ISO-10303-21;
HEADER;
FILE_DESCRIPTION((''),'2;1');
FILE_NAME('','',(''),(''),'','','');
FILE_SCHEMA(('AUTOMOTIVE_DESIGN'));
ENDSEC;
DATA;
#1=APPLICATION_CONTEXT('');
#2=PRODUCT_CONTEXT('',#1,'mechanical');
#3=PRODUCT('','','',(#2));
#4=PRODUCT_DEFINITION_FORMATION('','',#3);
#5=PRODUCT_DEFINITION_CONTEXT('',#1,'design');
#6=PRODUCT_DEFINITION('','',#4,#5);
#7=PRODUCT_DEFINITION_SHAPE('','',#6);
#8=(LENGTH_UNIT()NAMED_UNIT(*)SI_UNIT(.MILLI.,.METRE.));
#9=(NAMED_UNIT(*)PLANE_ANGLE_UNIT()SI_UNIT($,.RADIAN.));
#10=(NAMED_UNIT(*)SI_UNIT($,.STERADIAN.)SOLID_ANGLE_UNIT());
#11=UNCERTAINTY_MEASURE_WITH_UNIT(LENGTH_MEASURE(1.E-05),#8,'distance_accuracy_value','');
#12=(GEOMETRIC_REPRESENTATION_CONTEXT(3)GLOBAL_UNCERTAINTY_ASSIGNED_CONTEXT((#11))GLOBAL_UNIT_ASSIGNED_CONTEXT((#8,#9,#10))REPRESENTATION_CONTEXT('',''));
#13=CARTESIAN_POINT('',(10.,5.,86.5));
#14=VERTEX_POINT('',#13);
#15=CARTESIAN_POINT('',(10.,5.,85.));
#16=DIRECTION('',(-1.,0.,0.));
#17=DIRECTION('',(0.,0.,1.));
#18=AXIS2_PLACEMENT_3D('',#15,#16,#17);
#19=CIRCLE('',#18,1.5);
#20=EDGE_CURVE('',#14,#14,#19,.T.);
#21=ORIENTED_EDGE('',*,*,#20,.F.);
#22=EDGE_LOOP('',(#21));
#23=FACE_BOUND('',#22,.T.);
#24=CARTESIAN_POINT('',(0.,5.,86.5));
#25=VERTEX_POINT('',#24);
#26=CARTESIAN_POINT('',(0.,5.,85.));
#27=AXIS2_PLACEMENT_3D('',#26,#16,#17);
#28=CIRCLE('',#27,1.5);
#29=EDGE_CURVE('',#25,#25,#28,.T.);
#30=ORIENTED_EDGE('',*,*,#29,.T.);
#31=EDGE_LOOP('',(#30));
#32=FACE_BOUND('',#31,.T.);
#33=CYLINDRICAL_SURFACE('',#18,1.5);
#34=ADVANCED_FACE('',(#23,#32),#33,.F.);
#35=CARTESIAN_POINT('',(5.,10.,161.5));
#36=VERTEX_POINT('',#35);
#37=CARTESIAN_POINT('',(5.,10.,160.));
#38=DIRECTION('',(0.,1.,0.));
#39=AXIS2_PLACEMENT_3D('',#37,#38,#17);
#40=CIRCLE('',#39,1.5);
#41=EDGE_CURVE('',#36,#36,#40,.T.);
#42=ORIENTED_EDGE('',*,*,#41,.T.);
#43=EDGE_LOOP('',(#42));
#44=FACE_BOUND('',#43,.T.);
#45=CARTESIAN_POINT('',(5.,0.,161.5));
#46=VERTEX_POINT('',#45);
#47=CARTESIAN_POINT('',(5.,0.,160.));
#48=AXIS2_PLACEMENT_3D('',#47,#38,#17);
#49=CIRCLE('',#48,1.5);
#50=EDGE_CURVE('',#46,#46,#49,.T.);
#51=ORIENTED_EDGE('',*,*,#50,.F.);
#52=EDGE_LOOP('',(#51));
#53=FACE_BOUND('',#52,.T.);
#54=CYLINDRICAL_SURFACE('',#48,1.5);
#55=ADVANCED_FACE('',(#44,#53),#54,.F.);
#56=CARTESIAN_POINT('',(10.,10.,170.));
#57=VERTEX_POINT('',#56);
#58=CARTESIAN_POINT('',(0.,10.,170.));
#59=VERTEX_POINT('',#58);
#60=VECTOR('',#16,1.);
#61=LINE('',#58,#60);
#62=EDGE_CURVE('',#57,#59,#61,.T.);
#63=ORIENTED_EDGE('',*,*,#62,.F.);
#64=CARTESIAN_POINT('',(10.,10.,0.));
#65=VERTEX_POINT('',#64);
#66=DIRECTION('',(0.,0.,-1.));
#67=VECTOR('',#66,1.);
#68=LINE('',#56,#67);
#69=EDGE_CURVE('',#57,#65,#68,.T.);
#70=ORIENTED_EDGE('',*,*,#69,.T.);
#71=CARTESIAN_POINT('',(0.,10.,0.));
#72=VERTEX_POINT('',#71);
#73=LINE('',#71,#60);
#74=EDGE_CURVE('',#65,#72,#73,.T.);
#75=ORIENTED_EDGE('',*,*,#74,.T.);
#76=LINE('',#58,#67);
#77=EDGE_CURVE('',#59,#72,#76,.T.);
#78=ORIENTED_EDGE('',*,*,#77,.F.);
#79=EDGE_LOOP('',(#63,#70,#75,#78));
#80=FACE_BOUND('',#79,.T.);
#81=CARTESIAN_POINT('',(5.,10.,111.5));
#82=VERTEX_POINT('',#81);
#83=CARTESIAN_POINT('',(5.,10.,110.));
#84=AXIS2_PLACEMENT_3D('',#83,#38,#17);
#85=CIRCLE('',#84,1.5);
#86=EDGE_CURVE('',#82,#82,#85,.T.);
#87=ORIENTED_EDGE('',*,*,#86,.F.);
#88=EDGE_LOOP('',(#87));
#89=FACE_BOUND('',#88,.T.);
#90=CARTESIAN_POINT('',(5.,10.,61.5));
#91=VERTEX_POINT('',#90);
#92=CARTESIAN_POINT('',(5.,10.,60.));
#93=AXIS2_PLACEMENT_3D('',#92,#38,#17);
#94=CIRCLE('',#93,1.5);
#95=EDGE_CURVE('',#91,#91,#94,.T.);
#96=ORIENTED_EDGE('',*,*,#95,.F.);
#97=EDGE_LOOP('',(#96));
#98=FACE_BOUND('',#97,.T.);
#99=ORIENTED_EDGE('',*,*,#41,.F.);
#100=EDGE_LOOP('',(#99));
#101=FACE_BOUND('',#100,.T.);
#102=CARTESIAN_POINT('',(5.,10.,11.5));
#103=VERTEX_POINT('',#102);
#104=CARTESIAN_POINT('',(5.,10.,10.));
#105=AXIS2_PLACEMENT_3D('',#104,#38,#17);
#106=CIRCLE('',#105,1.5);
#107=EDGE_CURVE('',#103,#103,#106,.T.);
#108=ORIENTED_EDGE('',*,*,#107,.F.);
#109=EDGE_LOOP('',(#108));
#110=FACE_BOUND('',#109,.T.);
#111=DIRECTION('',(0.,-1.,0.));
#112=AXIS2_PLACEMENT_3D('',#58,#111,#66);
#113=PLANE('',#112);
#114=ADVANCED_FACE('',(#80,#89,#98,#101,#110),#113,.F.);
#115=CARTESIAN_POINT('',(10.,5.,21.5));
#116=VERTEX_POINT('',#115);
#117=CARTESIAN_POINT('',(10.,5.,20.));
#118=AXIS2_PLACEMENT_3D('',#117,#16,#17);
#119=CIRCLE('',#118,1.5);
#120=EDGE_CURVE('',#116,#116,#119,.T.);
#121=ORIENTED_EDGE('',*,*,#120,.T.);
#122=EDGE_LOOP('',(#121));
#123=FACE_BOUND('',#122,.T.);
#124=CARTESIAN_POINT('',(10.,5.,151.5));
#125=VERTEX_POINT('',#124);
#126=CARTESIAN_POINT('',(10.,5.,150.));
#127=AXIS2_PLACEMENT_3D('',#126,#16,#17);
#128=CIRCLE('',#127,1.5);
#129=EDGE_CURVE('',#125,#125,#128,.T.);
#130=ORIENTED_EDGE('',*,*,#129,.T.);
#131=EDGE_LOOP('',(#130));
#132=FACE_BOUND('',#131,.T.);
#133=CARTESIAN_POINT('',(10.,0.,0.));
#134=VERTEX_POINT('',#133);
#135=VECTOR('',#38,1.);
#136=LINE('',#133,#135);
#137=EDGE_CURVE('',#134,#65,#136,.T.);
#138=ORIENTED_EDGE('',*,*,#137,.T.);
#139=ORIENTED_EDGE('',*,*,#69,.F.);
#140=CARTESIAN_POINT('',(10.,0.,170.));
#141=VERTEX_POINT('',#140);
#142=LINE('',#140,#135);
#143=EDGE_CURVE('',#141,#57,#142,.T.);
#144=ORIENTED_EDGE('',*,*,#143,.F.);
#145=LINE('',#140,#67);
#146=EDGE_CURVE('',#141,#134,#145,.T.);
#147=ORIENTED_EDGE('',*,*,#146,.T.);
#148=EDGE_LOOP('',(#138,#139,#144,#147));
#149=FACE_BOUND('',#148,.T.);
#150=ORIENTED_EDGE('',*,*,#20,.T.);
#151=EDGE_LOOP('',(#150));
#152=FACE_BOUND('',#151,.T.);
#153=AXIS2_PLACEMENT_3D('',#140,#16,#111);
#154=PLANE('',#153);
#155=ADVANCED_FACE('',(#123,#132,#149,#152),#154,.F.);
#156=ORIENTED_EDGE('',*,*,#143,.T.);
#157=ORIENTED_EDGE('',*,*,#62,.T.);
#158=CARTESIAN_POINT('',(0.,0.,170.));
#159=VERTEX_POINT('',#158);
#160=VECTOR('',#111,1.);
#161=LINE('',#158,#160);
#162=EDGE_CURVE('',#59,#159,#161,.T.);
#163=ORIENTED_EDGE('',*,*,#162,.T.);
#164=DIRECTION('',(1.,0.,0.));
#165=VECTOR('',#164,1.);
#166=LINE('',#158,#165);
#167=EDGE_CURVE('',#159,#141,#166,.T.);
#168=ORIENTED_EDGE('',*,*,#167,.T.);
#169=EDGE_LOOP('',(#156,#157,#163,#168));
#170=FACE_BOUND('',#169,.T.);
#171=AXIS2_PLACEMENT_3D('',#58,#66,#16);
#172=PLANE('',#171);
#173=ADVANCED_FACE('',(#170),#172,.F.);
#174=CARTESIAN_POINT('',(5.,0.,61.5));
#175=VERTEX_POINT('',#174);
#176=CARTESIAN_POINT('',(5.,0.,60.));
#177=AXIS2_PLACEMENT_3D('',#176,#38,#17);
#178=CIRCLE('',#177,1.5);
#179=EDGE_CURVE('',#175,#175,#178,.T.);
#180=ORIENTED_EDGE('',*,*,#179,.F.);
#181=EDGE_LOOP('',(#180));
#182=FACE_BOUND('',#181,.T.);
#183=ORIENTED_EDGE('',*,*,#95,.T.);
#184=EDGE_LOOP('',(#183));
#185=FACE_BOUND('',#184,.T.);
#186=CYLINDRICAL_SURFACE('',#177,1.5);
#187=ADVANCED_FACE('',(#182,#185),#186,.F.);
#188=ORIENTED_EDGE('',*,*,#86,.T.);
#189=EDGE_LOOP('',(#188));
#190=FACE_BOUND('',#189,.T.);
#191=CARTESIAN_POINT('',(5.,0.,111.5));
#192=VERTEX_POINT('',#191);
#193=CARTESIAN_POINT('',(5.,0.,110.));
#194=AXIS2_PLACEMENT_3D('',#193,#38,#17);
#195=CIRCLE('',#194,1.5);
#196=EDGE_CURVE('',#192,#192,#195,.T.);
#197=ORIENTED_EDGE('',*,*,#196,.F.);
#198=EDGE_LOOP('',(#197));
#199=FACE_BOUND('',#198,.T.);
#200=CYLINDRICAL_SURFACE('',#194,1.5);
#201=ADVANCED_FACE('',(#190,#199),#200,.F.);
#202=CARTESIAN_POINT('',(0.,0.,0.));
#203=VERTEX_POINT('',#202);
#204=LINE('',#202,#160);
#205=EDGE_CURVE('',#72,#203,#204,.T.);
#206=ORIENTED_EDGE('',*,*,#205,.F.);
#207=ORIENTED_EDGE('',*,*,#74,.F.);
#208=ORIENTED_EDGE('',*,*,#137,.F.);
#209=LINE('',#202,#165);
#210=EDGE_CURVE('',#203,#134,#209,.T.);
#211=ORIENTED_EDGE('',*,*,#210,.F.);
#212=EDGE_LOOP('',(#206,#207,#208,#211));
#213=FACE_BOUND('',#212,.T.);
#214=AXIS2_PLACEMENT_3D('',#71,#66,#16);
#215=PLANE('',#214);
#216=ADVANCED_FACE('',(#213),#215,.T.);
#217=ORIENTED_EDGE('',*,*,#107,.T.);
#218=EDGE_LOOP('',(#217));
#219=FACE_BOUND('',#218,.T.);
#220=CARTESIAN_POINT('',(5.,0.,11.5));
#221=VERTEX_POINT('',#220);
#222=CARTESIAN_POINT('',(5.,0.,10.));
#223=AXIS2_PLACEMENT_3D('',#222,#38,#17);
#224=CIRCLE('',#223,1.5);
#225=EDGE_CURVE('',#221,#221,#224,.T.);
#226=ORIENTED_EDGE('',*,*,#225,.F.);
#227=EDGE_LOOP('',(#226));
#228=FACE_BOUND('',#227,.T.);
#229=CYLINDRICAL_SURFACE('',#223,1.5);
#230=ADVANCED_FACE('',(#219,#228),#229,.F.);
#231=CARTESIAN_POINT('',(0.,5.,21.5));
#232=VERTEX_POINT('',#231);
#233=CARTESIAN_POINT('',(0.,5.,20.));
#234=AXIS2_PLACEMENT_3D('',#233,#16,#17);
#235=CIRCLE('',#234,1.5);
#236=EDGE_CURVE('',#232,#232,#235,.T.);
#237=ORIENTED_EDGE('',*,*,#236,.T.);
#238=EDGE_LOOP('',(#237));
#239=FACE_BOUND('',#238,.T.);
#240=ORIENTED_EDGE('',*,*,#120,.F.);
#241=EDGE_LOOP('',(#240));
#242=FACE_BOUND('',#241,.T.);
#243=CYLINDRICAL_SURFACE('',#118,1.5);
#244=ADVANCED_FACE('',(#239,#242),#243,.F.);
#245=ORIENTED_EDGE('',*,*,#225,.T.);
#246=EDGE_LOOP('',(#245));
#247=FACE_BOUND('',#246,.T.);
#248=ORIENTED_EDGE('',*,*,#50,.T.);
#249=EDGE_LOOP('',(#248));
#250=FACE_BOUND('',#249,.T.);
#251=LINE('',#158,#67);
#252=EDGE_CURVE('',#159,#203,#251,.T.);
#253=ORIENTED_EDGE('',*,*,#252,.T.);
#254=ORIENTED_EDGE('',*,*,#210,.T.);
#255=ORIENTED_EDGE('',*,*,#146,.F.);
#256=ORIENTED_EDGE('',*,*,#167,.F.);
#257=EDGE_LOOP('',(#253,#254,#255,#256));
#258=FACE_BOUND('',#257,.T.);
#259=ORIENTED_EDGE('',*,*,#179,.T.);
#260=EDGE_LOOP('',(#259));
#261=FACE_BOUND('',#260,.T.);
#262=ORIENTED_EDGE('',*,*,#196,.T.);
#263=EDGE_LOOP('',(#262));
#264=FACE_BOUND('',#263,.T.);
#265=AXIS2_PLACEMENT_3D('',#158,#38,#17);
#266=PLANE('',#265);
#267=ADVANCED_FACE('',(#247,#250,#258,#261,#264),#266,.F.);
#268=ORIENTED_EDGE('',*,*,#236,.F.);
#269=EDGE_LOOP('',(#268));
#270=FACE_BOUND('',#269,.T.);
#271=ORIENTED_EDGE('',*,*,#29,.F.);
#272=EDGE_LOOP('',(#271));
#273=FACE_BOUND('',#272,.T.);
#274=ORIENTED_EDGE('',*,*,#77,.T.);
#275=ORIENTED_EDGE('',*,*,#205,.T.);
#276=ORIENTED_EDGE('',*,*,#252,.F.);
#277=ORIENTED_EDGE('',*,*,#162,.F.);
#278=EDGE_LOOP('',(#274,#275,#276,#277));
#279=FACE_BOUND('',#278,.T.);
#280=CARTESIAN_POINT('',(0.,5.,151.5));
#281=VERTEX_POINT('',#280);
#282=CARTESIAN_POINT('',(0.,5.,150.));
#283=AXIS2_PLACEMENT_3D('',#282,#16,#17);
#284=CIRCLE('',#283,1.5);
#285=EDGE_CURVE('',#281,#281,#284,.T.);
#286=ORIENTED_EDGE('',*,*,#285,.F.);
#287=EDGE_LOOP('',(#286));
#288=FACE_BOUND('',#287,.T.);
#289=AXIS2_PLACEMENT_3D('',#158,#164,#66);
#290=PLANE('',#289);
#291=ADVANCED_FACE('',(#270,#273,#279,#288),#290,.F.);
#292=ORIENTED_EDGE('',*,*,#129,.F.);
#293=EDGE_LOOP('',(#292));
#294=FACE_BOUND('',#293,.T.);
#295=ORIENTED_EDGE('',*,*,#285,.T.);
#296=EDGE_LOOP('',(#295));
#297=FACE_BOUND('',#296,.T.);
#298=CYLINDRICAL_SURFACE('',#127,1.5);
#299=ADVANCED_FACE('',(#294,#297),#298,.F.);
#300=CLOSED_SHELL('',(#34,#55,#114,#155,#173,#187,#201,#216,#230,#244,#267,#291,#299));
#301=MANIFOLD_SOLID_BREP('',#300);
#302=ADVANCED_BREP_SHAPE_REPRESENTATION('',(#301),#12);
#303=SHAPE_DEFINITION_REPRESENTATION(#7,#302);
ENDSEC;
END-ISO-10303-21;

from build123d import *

# Parameters (mm, degrees)
SKETCH1_W          = 10
SKETCH1_H          = 10
EXTRUDE1_DEPTH     = 170
SKETCH4_R          = 1.5
CUT_EXTRUDE3_DEPTH = 171.587221092
LPATTERN1_COUNT    = 4
LPATTERN1_PITCH    = 50
SKETCH5_R          = 1.5
CUT_EXTRUDE4_DEPTH = 171.587221092


with BuildPart() as part:
    # Sketch1 → Extrude1 (new body)
    with BuildSketch(Plane.XY):
        with Locations((5, 5)):
            Rectangle(SKETCH1_W, SKETCH1_H)
    extrude(amount=EXTRUDE1_DEPTH)

    # Sketch4 → Cut-Extrude3 (cut, through all)
    with BuildSketch(Plane(origin=(0, 10, 0), x_dir=(-1, 0, 0), z_dir=(0, 1, 0))):
        with Locations(Location((-5, 10, 0), (0, 0, 90))):
            Circle(SKETCH4_R)
    cut_extrude3 = extrude(amount=-CUT_EXTRUDE3_DEPTH, mode=Mode.SUBTRACT)

    # LPattern1: Cut-Extrude3 ×4
    with Locations(*[(0, 0, i * LPATTERN1_PITCH) for i in range(1, LPATTERN1_COUNT)]):
        add(cut_extrude3, mode=Mode.SUBTRACT)

    # Sketch5 → Cut-Extrude4 (cut, through all)
    with BuildSketch(Plane.ZY):
        with Locations((20, 5)):
            Circle(SKETCH5_R)
        with Locations((85, 5)):
            Circle(SKETCH5_R)
        with Locations((150, 5)):
            Circle(SKETCH5_R)
    extrude(amount=-CUT_EXTRUDE4_DEPTH, mode=Mode.SUBTRACT)


solid = part.part
